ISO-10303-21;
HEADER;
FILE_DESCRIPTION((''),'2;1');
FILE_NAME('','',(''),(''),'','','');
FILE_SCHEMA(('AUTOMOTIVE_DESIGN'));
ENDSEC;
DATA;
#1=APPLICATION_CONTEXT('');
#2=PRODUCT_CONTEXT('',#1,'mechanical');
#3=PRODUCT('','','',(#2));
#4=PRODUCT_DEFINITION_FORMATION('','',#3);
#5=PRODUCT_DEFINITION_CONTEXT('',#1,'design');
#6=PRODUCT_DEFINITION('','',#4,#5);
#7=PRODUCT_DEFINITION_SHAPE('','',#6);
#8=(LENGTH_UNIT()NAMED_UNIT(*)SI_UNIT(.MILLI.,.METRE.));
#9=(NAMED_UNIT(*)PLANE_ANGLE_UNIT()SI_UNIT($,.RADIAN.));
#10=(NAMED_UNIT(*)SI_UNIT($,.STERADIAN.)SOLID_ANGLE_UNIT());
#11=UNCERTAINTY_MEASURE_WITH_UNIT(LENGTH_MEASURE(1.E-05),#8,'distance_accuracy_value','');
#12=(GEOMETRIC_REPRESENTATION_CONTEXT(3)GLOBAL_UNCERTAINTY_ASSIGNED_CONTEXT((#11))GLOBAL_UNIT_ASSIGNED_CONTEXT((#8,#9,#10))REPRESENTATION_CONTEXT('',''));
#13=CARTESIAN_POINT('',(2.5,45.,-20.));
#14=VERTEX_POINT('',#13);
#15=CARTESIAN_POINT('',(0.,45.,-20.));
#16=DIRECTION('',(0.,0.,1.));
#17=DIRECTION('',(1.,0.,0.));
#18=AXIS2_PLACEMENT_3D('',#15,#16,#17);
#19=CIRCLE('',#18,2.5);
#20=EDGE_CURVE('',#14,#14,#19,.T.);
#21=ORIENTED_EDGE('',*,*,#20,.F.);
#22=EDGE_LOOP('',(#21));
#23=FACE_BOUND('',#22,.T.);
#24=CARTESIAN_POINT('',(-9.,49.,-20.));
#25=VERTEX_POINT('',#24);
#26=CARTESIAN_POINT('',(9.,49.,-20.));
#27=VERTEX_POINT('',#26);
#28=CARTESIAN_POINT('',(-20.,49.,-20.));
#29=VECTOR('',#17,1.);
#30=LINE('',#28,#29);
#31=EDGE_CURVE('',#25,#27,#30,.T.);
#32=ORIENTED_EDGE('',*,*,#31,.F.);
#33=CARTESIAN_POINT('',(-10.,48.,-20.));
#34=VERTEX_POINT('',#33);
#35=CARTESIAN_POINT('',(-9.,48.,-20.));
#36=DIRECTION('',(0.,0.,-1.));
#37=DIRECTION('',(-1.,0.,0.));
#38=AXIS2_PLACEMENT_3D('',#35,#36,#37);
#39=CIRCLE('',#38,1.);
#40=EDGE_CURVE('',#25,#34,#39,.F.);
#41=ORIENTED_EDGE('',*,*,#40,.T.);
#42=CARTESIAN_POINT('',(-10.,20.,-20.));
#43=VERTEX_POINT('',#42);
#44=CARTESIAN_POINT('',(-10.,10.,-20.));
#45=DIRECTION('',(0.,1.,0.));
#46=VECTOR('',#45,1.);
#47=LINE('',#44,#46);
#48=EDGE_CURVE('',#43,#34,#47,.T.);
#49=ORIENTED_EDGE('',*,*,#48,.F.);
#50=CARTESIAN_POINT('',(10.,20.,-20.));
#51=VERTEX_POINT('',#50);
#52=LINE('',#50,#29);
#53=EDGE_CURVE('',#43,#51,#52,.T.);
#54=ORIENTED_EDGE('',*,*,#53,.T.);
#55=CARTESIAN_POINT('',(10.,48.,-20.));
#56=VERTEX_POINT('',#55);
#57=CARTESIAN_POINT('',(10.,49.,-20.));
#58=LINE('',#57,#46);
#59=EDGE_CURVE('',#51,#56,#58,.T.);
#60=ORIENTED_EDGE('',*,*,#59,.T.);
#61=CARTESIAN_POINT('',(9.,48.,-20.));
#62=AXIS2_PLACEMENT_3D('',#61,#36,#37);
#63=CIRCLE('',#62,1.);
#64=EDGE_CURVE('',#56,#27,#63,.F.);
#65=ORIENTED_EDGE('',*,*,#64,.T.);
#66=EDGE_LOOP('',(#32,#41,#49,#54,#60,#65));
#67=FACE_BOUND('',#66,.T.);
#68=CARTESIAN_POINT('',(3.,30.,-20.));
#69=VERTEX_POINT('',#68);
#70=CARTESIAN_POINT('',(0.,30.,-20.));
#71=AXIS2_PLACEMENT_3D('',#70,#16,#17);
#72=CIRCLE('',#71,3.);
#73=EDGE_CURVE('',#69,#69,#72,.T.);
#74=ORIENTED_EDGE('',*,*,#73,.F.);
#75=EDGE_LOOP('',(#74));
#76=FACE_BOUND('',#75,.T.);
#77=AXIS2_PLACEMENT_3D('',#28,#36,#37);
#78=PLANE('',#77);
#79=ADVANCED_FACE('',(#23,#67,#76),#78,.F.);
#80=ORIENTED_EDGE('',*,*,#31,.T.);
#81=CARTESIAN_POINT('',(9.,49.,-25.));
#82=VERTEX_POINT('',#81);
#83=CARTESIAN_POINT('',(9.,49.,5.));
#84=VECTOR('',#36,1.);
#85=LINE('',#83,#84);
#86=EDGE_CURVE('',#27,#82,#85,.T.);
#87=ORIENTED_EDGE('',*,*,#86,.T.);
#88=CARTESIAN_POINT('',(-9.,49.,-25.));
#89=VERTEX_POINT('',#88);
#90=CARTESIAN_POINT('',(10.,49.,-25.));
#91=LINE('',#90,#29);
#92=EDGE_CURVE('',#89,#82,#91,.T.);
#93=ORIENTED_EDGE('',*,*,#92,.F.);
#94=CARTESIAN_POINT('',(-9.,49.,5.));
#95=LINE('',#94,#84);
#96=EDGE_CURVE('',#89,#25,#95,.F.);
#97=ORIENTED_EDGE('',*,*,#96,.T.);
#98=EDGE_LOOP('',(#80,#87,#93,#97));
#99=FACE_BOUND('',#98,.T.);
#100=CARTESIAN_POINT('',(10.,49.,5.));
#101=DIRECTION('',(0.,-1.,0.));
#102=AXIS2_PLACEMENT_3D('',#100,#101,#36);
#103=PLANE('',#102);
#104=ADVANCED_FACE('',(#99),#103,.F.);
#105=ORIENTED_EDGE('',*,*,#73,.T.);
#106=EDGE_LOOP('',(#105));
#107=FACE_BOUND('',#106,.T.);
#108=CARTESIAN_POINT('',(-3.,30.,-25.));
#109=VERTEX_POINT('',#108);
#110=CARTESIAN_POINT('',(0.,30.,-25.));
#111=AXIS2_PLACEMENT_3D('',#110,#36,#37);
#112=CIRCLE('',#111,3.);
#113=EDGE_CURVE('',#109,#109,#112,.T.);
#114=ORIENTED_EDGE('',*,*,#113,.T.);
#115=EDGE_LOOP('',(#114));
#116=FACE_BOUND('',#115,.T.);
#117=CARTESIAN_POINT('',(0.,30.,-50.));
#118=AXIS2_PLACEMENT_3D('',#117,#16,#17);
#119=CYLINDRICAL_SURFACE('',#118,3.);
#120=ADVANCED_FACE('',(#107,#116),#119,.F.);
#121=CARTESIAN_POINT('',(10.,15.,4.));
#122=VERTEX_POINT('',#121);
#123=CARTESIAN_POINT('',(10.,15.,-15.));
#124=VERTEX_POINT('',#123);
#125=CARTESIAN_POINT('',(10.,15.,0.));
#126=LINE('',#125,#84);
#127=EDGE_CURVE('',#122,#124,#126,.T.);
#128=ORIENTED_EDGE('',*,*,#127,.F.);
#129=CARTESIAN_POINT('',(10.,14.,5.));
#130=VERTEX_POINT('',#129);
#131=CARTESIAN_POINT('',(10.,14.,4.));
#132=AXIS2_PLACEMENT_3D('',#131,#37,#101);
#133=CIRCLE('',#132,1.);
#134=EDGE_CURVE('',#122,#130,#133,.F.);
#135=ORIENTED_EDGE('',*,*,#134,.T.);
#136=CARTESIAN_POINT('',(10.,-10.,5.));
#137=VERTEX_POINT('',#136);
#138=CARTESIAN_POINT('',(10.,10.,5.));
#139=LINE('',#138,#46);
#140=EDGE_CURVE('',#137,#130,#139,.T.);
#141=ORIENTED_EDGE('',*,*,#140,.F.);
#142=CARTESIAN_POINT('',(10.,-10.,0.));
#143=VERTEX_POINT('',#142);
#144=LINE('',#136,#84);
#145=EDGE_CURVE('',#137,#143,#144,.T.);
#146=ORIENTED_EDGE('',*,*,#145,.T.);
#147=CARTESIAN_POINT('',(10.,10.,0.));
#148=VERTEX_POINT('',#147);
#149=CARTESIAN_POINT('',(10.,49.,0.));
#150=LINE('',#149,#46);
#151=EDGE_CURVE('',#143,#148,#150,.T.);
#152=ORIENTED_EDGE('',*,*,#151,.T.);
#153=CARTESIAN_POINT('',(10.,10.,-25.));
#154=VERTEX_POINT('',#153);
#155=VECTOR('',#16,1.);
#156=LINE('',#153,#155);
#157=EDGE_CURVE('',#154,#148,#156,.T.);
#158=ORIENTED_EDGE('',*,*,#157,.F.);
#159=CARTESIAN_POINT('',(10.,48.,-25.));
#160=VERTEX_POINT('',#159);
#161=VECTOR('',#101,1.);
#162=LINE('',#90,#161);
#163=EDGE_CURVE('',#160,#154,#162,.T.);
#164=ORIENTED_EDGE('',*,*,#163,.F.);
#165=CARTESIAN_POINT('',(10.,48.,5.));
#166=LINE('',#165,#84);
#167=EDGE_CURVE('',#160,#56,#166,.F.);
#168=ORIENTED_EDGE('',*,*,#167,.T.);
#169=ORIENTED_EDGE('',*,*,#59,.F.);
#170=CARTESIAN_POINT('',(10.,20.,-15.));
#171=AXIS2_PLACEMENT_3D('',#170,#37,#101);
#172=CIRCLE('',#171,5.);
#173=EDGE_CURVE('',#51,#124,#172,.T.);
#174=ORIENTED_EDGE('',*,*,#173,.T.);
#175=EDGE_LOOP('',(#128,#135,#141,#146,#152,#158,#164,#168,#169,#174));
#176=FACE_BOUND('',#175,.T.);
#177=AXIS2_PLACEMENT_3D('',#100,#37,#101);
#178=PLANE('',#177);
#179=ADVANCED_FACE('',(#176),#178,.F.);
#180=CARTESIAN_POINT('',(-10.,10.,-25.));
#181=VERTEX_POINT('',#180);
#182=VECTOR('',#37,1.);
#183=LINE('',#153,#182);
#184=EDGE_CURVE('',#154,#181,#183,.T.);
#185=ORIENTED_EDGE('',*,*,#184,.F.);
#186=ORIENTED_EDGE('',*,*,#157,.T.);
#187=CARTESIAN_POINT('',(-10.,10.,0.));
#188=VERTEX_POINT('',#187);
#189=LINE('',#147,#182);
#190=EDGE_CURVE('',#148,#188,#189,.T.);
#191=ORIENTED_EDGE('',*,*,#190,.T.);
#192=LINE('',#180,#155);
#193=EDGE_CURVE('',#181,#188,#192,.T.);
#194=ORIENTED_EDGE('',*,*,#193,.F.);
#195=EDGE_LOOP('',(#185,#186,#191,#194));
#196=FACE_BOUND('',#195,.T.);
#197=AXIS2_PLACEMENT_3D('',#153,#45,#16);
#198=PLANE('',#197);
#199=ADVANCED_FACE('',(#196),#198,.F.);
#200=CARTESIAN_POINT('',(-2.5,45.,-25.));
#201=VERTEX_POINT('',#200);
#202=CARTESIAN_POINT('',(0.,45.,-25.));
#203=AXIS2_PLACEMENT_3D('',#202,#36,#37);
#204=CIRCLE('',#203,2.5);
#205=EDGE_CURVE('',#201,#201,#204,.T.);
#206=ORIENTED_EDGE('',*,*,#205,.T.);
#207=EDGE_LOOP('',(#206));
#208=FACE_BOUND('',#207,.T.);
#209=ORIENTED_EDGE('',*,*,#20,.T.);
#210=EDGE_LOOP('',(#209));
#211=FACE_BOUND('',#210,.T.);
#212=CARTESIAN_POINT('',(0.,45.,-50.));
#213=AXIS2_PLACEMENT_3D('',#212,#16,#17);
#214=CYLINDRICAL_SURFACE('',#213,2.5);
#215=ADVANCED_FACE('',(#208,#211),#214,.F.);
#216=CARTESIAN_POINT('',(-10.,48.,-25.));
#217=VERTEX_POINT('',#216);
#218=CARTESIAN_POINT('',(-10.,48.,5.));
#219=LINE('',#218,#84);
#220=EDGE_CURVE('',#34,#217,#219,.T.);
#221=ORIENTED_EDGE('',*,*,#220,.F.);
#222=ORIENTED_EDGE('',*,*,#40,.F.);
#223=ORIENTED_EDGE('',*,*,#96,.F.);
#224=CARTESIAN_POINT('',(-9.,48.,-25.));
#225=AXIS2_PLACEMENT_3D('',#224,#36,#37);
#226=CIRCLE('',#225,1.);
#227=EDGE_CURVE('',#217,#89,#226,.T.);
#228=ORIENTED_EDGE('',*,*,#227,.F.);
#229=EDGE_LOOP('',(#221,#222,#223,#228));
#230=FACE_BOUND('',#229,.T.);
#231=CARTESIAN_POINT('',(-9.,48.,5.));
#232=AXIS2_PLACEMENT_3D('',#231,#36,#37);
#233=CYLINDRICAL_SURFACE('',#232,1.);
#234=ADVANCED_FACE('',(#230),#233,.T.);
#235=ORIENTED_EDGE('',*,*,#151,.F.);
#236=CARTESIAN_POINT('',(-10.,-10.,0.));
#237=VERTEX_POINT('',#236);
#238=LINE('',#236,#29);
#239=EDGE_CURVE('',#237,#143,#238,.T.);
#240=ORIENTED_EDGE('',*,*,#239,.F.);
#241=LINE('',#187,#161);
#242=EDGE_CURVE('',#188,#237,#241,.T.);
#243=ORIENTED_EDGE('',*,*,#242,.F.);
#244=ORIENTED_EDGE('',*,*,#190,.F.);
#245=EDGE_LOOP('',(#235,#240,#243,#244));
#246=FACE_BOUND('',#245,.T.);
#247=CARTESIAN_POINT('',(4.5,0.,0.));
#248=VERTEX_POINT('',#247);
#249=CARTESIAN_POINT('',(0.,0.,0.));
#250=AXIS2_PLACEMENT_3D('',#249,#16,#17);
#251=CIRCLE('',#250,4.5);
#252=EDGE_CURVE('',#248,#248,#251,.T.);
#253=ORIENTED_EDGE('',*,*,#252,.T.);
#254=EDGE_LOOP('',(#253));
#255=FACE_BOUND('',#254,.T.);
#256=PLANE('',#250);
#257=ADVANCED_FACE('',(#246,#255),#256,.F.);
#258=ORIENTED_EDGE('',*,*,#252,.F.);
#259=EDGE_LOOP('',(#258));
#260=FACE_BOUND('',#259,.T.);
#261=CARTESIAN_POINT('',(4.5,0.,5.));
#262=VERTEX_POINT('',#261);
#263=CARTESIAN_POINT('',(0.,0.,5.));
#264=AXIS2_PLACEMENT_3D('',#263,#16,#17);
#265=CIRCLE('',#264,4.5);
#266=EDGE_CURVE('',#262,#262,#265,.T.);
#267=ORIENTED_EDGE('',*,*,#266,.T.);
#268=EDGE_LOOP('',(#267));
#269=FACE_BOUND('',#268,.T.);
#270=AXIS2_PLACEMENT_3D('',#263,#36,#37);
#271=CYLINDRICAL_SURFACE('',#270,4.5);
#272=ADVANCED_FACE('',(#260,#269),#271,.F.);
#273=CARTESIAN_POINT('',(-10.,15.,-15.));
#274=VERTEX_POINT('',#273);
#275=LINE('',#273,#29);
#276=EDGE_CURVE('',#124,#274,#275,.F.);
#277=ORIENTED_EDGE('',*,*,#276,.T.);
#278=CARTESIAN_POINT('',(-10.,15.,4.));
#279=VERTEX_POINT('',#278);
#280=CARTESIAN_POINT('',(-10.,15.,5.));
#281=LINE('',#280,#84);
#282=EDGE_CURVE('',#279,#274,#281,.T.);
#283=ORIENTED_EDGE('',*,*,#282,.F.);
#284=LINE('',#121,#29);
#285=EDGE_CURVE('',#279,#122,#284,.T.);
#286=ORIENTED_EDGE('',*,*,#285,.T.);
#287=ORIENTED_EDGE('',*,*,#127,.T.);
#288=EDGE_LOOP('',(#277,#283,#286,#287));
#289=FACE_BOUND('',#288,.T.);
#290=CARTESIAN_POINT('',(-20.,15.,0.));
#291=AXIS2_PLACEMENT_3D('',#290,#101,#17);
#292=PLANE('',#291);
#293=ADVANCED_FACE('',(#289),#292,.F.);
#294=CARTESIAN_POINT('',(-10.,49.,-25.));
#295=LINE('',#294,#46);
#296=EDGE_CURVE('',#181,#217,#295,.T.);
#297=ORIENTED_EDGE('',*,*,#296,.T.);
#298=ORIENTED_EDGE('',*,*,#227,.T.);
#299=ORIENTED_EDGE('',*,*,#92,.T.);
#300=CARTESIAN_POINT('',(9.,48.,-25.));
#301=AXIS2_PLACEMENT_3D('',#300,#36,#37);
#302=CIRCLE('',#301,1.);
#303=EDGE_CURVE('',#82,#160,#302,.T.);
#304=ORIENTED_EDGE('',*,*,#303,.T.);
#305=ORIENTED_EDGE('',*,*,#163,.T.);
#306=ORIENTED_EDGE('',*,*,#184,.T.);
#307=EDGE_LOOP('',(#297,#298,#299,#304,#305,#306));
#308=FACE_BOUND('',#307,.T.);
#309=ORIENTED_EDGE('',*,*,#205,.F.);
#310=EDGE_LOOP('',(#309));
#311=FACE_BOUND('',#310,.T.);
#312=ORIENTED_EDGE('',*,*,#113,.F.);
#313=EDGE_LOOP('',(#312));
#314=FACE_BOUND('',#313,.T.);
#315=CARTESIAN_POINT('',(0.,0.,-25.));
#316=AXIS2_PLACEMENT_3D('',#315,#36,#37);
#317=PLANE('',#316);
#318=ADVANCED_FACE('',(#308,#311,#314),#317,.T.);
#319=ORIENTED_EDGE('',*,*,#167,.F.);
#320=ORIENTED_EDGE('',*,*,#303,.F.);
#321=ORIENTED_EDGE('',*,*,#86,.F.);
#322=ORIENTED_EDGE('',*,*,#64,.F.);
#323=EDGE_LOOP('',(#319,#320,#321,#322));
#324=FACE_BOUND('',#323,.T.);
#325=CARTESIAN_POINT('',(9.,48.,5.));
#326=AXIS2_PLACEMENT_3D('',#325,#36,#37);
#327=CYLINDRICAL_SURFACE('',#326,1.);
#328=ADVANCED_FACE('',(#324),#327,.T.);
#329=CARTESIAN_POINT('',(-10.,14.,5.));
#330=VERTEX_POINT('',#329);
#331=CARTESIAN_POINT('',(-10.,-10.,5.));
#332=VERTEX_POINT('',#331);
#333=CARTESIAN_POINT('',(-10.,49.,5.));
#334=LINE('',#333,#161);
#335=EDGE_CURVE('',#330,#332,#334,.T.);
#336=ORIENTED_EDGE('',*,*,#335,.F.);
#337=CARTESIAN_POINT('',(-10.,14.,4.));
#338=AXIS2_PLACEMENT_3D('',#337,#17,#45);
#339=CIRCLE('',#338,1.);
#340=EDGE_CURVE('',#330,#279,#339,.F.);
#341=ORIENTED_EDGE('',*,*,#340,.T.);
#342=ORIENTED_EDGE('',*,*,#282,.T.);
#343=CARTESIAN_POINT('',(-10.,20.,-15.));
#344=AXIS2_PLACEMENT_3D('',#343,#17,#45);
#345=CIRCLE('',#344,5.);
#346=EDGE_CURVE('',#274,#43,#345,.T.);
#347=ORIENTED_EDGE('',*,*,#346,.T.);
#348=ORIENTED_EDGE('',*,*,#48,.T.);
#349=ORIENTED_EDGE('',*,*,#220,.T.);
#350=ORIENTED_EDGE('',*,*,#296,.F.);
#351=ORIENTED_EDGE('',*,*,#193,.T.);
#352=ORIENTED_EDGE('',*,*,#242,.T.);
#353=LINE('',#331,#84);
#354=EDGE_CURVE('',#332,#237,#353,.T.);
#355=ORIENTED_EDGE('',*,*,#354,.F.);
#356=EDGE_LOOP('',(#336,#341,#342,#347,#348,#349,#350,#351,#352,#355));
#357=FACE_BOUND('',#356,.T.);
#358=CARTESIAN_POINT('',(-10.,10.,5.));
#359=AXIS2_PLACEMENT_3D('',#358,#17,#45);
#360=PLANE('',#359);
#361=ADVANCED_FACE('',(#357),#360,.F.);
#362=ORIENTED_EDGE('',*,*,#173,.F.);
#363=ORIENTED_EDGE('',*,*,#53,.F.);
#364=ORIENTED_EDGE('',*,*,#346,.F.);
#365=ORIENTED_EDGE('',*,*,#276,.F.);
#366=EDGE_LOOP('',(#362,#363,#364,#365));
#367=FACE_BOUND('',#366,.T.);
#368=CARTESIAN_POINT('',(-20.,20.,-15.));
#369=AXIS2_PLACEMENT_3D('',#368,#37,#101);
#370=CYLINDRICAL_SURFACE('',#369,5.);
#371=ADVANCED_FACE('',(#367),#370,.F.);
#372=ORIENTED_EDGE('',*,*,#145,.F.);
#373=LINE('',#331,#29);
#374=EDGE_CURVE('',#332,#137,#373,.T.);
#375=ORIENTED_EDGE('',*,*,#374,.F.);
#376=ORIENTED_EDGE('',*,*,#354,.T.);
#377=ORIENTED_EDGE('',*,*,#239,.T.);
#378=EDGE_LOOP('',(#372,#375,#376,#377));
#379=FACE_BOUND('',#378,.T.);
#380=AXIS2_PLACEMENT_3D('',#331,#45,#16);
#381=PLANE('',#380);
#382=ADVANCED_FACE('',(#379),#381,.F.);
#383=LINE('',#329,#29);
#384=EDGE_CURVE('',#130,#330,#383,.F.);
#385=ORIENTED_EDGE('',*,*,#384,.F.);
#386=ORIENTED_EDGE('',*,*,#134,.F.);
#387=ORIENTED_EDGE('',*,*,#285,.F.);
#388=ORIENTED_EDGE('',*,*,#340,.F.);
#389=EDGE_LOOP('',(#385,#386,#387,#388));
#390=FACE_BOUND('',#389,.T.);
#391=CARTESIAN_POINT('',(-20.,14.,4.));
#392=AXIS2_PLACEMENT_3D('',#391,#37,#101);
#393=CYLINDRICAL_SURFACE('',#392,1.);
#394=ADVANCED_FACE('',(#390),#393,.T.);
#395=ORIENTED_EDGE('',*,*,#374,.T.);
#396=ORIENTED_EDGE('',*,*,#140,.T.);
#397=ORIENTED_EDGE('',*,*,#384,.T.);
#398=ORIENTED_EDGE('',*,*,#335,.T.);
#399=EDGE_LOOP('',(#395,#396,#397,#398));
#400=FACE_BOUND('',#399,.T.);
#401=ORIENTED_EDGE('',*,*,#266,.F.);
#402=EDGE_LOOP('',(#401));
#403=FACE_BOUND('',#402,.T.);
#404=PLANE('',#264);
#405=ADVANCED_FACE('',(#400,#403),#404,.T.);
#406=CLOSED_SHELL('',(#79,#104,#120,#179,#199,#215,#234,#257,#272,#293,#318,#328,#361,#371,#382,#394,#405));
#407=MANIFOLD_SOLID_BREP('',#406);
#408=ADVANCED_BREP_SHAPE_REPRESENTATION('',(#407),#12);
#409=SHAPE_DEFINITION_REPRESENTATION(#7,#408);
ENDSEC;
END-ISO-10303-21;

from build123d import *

# Parameters (mm, degrees)
SKETCH1_R           = 4.5
BOSS_EXTRUDE1_DEPTH = 5
SKETCH2_W           = 20
SKETCH2_H           = 39
BOSS_EXTRUDE2_DEPTH = 25
CUT_EXTRUDE1_DEPTH  = 30
SKETCH4_R           = 2.5
SKETCH4_R_2         = 3
CUT_EXTRUDE2_DEPTH  = 30
FILLET1_R           = 5
FILLET2_R           = 1


with BuildPart() as part:
    # Sketch1 → Boss-Extrude1 (new body)
    with BuildSketch(Plane.XY):
        Polygon((-10, 10), (-10, -10), (10, -10), (10, 10), (10, 49), (-10, 49), align=None)
        Circle(SKETCH1_R, mode=Mode.SUBTRACT)
    extrude(amount=BOSS_EXTRUDE1_DEPTH)

    # Sketch2 → Boss-Extrude2 (add)
    with BuildSketch(Plane(origin=(0, 0, 0), x_dir=(-1, 0, 0), z_dir=(0, 0, -1))):
        with Locations((0, 29.5)):
            Rectangle(SKETCH2_W, SKETCH2_H)
    extrude(amount=BOSS_EXTRUDE2_DEPTH)

    # Sketch3 → Cut-Extrude1 (cut)
    with BuildSketch(Plane(origin=(10, 0, 0), x_dir=(0, 0, -1), z_dir=(1, 0, 0))):
        Polygon((0, 15), (-5, 15), (-5, 49), (20, 49), (20, 15), align=None)
    extrude(amount=-CUT_EXTRUDE1_DEPTH, mode=Mode.SUBTRACT)

    # Sketch4 → Cut-Extrude2 (cut)
    with BuildSketch(Plane.XY.offset(-20)):
        with Locations((0, 45)):
            Circle(SKETCH4_R)
        with Locations((0, 30)):
            Circle(SKETCH4_R_2)
    extrude(amount=-CUT_EXTRUDE2_DEPTH, mode=Mode.SUBTRACT)

    # Fillet1
    fillet1_edges = [part.edges().sort_by_distance(p)[0] for p in [
        (0, 15, -20),
    ]]
    fillet(fillet1_edges, radius=FILLET1_R)

    # Fillet2
    fillet2_edges = [part.edges().sort_by_distance(p)[0] for p in [
        (-10, 49, -22.5),
        (10, 49, -22.5),
        (0, 15, 5),
    ]]
    fillet(fillet2_edges, radius=FILLET2_R)


solid = part.part
